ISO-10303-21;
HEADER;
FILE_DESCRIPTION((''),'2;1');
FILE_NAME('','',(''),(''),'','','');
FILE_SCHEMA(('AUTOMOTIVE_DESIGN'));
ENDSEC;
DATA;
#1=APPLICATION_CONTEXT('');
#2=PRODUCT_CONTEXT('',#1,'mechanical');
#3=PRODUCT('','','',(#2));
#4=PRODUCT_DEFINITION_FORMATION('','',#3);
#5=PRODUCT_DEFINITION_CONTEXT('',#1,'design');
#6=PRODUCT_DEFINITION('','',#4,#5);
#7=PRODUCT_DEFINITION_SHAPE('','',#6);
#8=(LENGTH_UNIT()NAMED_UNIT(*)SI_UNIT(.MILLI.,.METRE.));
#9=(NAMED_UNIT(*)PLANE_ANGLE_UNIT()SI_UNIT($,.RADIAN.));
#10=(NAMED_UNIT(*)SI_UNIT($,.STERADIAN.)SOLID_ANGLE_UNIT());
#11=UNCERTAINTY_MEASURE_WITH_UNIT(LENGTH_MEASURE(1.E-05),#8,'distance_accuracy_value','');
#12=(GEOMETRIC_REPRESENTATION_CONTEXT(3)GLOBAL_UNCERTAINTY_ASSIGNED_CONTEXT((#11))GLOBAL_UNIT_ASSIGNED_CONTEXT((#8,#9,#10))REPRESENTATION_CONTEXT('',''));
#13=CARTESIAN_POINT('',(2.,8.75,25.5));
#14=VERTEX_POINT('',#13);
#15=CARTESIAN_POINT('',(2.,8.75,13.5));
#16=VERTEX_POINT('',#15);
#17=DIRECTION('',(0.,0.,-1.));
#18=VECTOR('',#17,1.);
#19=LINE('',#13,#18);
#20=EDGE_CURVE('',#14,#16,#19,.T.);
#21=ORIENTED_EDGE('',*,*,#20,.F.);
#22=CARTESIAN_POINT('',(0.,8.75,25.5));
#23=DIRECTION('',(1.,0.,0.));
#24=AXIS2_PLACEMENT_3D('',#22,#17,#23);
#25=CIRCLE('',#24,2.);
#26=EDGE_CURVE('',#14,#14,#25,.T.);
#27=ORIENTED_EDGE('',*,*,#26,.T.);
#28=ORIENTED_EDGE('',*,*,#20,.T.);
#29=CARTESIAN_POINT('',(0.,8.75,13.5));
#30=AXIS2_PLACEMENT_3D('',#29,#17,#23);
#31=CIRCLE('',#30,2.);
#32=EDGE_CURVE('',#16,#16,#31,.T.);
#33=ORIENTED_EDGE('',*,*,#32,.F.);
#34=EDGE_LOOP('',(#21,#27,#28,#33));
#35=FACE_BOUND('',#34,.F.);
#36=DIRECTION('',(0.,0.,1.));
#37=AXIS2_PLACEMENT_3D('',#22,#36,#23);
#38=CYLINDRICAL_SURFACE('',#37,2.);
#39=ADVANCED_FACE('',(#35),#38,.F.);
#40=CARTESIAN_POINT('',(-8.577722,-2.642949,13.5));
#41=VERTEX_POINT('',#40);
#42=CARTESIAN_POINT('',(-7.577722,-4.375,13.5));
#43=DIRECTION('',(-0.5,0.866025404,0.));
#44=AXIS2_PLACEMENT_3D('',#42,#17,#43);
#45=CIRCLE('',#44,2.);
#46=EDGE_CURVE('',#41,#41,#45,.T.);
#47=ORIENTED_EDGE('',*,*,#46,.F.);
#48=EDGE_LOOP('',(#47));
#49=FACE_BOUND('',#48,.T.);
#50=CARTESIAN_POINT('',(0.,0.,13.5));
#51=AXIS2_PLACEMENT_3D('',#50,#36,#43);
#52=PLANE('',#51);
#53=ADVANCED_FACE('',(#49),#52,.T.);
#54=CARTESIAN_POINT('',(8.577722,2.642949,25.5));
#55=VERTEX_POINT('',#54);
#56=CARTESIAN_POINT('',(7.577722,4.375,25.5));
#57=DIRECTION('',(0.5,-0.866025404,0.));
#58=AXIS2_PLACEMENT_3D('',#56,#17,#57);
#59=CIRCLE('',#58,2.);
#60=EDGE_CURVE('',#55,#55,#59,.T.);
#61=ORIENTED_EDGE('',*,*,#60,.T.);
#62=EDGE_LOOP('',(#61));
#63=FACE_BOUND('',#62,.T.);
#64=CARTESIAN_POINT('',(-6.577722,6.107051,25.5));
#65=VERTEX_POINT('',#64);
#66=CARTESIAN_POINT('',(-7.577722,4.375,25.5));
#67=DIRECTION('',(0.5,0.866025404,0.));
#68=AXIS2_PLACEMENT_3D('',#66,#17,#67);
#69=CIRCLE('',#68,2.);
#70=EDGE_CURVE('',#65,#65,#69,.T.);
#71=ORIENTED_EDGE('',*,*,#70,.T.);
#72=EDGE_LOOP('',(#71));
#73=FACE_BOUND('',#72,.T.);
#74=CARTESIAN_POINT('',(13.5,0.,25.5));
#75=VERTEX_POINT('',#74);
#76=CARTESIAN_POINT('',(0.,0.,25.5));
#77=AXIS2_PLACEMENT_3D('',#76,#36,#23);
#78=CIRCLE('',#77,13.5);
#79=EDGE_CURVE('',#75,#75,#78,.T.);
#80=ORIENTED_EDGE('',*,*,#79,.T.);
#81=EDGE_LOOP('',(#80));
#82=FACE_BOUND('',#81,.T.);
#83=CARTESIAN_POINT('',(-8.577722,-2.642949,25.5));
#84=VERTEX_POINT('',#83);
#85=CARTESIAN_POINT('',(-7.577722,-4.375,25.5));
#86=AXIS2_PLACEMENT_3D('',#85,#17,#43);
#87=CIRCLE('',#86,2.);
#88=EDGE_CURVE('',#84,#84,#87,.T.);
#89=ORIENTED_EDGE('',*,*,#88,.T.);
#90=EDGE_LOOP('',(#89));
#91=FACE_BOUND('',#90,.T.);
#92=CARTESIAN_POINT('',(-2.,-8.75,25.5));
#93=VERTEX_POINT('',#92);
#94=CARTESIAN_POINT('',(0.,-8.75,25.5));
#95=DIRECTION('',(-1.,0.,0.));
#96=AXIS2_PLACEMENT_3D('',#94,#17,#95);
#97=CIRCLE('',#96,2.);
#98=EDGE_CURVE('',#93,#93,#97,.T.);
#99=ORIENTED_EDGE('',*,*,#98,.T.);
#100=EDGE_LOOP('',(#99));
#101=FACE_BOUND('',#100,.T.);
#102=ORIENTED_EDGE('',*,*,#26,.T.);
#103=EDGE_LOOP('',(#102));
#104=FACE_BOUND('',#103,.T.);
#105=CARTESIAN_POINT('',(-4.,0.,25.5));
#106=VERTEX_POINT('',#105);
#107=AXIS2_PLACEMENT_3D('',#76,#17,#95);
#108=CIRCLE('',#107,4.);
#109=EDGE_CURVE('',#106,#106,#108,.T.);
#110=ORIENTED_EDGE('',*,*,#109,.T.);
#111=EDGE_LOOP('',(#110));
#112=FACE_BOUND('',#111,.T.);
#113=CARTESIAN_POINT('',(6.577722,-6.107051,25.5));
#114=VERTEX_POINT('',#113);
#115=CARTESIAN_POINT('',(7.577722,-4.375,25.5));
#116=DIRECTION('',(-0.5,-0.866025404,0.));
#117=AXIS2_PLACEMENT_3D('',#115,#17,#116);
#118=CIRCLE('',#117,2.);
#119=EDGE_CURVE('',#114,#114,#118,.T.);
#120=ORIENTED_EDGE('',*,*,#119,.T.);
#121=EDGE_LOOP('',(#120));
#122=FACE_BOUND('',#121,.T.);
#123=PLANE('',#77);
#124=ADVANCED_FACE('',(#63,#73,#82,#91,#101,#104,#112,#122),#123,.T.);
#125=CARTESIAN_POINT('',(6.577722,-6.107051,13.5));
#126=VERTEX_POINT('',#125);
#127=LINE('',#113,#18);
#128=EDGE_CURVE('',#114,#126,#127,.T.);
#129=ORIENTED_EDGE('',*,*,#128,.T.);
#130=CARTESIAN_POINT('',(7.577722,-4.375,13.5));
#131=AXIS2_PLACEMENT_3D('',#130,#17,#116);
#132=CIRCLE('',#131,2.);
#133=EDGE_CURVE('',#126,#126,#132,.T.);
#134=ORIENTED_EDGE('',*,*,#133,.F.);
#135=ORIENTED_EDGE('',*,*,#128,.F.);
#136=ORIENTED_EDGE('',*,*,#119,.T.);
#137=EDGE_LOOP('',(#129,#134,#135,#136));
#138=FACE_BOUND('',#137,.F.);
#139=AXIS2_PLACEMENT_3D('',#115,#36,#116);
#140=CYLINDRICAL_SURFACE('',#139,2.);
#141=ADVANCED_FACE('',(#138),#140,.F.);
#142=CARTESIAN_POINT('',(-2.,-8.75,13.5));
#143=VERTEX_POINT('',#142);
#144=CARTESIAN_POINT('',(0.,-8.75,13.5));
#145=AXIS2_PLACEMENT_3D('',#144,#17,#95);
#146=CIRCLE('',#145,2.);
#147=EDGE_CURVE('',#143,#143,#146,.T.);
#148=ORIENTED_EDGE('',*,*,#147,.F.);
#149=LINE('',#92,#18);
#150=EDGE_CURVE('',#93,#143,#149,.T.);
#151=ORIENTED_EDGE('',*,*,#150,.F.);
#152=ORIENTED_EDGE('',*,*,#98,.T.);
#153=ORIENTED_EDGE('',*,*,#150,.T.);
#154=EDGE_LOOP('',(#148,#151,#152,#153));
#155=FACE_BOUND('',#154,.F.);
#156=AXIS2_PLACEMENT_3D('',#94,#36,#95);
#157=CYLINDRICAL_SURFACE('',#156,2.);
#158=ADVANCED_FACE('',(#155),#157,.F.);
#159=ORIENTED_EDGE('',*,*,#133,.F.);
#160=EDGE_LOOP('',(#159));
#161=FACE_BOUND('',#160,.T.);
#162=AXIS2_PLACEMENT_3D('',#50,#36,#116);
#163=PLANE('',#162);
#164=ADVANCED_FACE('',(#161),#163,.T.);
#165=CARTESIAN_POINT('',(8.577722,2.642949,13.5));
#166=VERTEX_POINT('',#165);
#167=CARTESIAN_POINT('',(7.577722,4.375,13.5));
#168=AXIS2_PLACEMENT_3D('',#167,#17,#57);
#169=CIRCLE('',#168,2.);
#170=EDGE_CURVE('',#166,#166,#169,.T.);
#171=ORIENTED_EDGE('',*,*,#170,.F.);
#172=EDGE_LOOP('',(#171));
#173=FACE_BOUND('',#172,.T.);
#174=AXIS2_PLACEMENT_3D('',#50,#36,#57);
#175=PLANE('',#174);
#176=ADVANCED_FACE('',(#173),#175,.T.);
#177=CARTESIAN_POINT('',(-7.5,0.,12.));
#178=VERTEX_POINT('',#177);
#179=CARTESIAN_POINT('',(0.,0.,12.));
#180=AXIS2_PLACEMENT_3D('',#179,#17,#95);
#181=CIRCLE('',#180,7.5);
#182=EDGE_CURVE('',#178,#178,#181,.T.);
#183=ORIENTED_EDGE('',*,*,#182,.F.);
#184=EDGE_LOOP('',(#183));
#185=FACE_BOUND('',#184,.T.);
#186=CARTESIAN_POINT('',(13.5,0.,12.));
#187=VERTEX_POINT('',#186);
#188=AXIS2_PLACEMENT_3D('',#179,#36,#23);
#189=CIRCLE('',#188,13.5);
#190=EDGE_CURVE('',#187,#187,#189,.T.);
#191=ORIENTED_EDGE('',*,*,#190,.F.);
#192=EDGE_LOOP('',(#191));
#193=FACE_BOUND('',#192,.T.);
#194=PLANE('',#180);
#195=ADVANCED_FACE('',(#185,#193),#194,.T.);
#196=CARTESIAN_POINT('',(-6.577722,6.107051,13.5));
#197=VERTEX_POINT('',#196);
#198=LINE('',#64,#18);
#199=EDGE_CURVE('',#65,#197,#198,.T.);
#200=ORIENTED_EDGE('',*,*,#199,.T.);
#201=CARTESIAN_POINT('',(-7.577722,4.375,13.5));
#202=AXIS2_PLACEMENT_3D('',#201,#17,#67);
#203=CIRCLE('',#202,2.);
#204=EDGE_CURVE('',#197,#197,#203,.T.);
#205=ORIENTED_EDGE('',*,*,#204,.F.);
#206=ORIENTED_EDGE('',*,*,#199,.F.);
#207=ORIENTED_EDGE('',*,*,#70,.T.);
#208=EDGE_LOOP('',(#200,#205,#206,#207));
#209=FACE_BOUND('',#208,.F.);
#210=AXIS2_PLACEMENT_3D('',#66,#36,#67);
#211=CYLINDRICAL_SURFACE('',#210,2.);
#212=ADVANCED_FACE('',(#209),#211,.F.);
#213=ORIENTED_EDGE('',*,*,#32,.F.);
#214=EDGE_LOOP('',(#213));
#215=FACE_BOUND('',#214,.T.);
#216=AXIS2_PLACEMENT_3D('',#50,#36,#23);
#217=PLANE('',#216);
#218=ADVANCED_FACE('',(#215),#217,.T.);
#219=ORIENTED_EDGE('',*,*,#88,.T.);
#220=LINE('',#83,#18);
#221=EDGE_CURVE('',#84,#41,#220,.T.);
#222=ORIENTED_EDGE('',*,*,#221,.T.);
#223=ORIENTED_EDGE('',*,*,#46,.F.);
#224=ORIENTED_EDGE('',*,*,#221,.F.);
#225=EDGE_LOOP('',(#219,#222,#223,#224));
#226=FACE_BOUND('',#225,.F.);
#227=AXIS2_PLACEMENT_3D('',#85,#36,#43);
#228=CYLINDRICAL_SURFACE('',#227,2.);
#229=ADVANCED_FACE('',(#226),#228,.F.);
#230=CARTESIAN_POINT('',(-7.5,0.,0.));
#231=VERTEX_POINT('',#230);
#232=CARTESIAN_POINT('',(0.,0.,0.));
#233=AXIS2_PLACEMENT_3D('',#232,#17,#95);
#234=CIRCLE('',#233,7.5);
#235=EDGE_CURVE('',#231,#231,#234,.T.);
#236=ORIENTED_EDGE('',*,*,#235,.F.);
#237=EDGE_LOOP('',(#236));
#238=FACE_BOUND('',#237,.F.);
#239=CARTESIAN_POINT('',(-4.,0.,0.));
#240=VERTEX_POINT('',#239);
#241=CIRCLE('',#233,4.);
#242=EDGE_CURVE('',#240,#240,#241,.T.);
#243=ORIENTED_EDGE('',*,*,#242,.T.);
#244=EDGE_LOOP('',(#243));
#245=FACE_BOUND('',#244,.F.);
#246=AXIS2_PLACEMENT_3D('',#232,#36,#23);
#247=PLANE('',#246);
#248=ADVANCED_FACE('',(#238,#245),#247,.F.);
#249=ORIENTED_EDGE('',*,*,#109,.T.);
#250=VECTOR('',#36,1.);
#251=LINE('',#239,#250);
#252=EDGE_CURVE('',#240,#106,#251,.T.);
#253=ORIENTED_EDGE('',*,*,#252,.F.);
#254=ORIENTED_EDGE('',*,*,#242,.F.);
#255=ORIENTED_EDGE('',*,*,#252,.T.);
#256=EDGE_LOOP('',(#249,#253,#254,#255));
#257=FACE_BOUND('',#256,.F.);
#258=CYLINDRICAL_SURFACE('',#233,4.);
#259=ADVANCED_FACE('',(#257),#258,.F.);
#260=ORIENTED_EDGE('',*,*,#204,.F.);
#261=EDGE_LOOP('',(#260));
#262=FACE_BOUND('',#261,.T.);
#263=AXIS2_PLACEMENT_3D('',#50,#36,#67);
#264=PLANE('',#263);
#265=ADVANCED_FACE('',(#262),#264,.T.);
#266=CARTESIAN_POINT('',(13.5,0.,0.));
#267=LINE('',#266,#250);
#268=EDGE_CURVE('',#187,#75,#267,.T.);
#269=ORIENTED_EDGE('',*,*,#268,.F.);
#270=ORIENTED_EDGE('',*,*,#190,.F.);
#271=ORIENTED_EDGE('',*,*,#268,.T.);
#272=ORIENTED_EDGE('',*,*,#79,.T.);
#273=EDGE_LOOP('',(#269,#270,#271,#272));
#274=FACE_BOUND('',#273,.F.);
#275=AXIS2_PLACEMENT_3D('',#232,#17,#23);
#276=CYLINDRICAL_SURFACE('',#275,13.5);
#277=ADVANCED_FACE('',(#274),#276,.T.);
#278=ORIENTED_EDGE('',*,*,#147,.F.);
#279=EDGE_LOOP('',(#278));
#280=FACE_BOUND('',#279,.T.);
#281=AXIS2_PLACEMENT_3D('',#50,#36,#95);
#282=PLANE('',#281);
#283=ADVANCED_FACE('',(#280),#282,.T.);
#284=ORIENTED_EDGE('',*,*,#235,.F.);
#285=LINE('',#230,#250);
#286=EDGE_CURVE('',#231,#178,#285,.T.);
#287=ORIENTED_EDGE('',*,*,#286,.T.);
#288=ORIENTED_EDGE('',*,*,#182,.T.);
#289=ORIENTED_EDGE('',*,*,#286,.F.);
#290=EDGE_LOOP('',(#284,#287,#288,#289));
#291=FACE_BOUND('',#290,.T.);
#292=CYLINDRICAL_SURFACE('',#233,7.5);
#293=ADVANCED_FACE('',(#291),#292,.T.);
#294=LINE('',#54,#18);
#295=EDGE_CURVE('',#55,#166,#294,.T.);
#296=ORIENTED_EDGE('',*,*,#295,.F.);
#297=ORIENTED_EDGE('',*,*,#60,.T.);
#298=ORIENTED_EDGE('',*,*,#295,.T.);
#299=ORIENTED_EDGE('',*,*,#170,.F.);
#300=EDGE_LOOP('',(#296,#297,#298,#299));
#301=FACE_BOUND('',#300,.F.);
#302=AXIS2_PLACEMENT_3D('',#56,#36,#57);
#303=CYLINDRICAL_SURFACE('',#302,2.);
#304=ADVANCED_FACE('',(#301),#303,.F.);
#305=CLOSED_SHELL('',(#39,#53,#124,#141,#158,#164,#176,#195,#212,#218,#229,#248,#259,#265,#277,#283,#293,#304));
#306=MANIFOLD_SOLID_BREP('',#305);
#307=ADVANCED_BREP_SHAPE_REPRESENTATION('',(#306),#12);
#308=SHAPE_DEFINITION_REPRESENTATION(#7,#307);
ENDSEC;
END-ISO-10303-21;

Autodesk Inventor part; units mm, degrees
ref_plane "YZ Plane" through (0, 0, 0) normal (1, 0, 0) x (0, 1, 0)
ref_plane "XZ Plane" through (0, 0, 0) normal (0, 1, 0) x (-1, 0, 0)
ref_plane "XY Plane" through (0, 0, 0) normal (0, 0, 1) x (1, 0, 0)
sketch "Szkic1" plane through (0, 0, 0) normal (0, 0, 1) x (1, 0, 0)
  circle A0 centre (0, 0) radius 13.5
  dimension "d0" = 27
extrude "Wyciągnięcie proste1" add sketch "Szkic1" along normal blind 25.5
sketch "Szkic2" plane through (0, 0, 0) normal (0, 0, -1) x (-1, 0, 0)
  circle A0 centre (0, 0) radius 7.5
  circle A1 centre (0, 0) radius 13.5 projected
  dimension "d3" = 15
extrude "Wyciągnięcie proste2" cut sketch "Szkic2" against normal blind 12
sketch "Szkic3" plane through (0, 0, 0) normal (0, 0, -1) x (-1, 0, 0)
  circle A0 centre (0, 0) radius 4
  dimension "d6" = 8
extrude "Wyciągnięcie proste3" cut sketch "Szkic3" against normal up to next
sketch "Szkic4" plane through (0, 0, 25.5) normal (0, 0, 1) x (1, 0, 0)
  circle A0 centre (0, 0) radius 4 projected
  circle A1 centre (0, 0) radius 13.5 projected
  line L0 (0, 0) -> (0, 8.75)
  circle A2 centre (0, 8.75) radius 2
  dimension "d11" = 8.75
  dimension "d12" = 4
extrude "Wyciągnięcie proste4" cut sketch "Szkic4" against normal blind 12 contours A2
pattern_circular "Szyk kołowy1" count 6 over 360 about axis through (0, 0, 0) along (0, 0, 1) of "Wyciągnięcie proste4"
thread "Gwint1" size "M4x0.7" class "6H" standard "ANSI Metric M Profile" full length
thread "Gwint2" size "M4x0.7" class "6H" standard "ANSI Metric M Profile" full length
thread "Gwint3" size "M4x0.7" class "6H" standard "ANSI Metric M Profile" full length
thread "Gwint4" size "M4x0.7" class "6H" standard "ANSI Metric M Profile" full length
thread "Gwint5" size "M4x0.7" class "6H" standard "ANSI Metric M Profile" full length
thread "Gwint6" size "M4x0.7" class "6H" standard "ANSI Metric M Profile" full length
properties part number "Tuleja zaciskowo rozprężna RCK BK 80 8x15 Clampex"
